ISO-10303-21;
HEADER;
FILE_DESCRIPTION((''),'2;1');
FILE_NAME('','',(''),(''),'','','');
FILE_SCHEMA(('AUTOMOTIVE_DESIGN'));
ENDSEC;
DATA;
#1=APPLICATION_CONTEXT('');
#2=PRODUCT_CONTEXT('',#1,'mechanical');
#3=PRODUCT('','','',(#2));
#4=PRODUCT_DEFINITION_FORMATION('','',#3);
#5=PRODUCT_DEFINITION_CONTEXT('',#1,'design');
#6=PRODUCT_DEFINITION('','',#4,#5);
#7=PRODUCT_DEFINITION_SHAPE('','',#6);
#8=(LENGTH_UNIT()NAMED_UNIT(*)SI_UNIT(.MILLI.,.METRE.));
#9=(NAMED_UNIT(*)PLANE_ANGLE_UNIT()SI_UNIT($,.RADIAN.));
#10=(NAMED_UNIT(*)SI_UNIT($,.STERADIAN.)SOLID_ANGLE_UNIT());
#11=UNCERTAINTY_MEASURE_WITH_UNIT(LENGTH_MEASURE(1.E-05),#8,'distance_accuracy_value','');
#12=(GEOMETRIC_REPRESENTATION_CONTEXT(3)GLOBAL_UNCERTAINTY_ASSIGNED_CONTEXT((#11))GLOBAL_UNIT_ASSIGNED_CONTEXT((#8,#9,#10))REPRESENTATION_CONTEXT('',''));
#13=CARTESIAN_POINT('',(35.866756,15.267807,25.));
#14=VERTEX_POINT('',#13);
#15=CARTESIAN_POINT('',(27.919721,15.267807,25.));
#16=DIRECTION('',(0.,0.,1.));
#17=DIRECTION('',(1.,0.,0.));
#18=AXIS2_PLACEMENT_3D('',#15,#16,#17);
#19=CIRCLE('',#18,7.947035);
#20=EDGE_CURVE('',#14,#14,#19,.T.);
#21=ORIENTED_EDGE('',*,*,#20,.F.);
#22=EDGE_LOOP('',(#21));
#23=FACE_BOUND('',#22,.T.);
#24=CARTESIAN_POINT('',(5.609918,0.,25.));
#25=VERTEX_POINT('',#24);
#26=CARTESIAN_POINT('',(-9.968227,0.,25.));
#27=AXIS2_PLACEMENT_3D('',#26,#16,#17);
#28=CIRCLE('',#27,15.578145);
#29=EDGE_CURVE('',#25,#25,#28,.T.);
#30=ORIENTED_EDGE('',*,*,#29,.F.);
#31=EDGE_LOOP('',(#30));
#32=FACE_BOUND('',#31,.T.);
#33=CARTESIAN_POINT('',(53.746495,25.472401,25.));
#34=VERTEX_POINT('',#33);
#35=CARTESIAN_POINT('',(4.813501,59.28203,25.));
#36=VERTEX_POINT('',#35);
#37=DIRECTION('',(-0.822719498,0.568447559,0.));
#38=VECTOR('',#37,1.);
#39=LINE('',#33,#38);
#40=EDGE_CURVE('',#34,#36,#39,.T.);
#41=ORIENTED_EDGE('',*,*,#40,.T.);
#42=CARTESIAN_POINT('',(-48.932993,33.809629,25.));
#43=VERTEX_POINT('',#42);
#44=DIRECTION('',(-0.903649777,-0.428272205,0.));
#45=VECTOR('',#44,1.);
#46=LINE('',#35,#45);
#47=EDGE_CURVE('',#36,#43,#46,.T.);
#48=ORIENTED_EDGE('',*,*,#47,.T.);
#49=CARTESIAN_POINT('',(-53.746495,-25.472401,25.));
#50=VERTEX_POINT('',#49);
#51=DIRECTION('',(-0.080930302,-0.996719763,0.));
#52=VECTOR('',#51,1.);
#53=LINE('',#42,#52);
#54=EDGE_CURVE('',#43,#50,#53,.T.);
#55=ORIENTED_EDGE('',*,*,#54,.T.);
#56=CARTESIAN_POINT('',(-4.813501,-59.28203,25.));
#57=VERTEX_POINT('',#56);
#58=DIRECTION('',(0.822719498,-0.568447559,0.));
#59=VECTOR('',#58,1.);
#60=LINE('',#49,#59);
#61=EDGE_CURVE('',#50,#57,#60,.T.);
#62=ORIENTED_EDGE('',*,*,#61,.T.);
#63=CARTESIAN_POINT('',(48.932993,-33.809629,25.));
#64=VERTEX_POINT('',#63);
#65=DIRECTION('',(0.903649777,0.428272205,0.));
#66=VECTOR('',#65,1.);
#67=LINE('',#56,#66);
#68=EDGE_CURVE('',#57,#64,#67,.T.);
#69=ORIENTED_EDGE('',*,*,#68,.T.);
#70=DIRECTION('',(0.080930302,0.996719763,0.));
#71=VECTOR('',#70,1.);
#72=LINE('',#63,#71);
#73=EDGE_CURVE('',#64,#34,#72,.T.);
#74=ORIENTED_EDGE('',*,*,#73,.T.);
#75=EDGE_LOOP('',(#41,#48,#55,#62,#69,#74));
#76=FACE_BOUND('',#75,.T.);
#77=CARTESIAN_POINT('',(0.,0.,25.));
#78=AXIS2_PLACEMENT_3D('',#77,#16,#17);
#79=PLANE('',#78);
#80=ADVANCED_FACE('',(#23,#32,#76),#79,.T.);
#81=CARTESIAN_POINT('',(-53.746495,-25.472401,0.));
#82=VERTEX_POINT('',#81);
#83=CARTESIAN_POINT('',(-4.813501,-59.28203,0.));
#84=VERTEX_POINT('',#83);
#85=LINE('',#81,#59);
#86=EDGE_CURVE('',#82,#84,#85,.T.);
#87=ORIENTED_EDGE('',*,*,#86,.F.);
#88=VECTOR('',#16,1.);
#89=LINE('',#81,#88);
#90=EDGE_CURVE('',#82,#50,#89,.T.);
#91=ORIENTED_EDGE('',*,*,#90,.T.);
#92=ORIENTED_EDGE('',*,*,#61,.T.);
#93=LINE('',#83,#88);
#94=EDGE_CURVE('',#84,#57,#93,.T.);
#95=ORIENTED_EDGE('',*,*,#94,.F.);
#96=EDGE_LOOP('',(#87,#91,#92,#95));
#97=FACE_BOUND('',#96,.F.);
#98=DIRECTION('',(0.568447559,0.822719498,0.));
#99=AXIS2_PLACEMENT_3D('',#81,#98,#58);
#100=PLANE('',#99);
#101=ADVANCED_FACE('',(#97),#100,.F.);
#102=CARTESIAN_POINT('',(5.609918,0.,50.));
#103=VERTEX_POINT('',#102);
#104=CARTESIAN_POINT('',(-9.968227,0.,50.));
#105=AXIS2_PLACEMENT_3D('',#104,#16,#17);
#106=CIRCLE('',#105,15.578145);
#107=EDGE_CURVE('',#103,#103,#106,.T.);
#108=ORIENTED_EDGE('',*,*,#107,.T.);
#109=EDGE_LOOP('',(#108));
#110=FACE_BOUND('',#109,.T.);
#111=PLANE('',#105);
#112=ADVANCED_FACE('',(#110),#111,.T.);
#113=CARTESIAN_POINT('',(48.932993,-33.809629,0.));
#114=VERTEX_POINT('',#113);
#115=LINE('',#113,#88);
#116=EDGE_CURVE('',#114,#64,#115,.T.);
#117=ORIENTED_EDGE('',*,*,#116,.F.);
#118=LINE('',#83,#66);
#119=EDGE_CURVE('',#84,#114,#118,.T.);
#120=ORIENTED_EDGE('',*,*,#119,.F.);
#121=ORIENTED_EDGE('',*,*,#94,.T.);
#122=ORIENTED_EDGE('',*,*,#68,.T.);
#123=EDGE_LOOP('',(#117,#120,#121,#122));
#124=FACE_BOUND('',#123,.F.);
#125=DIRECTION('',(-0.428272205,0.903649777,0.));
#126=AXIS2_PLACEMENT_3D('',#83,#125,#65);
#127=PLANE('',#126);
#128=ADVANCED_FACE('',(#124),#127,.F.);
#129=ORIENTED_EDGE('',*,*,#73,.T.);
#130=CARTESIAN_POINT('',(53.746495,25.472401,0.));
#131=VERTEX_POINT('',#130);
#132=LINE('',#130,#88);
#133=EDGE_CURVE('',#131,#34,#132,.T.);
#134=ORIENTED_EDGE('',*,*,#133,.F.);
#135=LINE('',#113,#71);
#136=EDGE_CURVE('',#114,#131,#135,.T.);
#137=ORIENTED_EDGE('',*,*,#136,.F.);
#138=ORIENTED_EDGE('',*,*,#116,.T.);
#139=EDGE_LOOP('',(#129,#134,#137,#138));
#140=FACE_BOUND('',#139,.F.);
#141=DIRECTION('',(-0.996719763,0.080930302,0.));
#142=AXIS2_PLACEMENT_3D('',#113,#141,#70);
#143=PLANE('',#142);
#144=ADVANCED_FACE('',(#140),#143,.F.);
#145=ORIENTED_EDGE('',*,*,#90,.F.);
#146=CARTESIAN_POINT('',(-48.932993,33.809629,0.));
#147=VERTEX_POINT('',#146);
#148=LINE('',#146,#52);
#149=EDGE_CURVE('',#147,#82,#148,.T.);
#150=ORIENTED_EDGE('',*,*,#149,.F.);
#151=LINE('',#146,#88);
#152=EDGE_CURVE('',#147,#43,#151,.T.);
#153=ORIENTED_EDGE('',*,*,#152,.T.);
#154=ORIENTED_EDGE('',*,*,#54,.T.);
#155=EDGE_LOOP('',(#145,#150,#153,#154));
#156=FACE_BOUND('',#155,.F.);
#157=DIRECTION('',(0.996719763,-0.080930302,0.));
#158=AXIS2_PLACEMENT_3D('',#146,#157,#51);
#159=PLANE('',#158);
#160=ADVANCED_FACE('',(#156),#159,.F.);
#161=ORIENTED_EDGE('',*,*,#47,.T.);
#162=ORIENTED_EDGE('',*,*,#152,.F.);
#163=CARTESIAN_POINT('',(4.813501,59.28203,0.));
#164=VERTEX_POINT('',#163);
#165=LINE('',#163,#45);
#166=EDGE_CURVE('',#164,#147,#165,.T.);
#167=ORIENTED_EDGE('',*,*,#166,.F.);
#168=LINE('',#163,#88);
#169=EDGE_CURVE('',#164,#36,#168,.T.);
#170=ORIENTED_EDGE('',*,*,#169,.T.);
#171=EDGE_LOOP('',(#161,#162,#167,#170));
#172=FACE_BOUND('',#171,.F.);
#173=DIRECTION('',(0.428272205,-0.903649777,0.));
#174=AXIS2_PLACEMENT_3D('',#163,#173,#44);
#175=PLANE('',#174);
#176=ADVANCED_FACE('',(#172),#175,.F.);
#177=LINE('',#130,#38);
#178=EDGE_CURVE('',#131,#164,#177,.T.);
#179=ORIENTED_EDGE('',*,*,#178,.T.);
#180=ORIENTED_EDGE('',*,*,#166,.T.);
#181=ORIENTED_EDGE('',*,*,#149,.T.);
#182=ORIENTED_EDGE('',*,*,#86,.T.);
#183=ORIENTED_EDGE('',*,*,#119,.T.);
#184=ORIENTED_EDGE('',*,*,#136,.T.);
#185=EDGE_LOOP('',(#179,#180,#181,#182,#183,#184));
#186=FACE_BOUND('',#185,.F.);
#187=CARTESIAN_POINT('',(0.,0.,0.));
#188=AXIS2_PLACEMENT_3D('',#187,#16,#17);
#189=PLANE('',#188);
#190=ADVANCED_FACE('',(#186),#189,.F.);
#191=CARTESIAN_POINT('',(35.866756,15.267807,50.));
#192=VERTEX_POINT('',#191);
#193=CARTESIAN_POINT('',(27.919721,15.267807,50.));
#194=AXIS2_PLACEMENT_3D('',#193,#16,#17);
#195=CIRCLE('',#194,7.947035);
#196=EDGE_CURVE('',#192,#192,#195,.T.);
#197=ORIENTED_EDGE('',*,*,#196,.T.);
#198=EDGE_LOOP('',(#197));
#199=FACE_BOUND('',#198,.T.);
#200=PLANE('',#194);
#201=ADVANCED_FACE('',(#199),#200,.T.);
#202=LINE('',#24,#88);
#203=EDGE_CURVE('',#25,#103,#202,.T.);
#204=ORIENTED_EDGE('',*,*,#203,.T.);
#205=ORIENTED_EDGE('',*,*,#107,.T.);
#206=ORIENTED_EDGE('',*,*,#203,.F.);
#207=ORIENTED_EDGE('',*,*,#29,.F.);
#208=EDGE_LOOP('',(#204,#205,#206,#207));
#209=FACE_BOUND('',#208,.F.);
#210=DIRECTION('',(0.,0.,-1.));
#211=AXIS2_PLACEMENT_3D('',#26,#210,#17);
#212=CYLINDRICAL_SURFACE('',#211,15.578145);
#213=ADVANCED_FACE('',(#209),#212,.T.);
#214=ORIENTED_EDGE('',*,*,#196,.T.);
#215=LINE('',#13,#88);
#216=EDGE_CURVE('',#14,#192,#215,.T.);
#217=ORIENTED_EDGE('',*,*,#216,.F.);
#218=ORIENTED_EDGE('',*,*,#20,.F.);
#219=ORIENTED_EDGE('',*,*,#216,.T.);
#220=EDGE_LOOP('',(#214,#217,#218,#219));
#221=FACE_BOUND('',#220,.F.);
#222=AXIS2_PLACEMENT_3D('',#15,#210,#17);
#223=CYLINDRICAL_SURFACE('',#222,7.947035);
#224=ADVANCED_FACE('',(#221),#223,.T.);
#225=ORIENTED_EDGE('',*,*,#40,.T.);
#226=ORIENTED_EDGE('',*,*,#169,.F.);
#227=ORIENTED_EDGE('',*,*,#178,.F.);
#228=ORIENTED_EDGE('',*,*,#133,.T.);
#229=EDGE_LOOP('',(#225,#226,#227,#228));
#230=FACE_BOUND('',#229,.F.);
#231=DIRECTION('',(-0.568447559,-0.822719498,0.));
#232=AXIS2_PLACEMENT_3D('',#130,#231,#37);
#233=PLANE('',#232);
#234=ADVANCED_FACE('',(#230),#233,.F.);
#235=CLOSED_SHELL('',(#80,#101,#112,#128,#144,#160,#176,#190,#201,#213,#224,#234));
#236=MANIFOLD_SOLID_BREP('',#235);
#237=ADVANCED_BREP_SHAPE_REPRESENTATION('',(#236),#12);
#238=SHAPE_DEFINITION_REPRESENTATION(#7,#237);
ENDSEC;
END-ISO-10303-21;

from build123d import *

# Parameters (mm, degrees)
F1_DEPTH = 25
F2_R     = 15.578145
F3_DEPTH = 25
F4_R     = 7.947035
F5_DEPTH = 25


with BuildPart() as f1:
    # F0 (on Top) → F1 (new body)
    with BuildSketch(Plane.XY):
        Polygon((4.813501, 59.28203), (-48.932993, 33.809629), (-53.746495, -25.472401), (-4.813501, -59.28203), (48.932993, -33.809629), (53.746495, 25.472401), align=None)
    extrude(amount=F1_DEPTH)

    # F2 (on face) → F3 (join)
    with BuildSketch(Plane.XY.offset(25)):
        with Locations((-9.968227, 0)):
            Circle(F2_R)
    extrude(amount=F3_DEPTH)

    # F4 (on face) → F5 (join)
    with BuildSketch(Plane.XY.offset(25)):
        with Locations((27.919721, 15.267807)):
            Circle(F4_R)
    extrude(amount=F5_DEPTH)


solid = f1.part
